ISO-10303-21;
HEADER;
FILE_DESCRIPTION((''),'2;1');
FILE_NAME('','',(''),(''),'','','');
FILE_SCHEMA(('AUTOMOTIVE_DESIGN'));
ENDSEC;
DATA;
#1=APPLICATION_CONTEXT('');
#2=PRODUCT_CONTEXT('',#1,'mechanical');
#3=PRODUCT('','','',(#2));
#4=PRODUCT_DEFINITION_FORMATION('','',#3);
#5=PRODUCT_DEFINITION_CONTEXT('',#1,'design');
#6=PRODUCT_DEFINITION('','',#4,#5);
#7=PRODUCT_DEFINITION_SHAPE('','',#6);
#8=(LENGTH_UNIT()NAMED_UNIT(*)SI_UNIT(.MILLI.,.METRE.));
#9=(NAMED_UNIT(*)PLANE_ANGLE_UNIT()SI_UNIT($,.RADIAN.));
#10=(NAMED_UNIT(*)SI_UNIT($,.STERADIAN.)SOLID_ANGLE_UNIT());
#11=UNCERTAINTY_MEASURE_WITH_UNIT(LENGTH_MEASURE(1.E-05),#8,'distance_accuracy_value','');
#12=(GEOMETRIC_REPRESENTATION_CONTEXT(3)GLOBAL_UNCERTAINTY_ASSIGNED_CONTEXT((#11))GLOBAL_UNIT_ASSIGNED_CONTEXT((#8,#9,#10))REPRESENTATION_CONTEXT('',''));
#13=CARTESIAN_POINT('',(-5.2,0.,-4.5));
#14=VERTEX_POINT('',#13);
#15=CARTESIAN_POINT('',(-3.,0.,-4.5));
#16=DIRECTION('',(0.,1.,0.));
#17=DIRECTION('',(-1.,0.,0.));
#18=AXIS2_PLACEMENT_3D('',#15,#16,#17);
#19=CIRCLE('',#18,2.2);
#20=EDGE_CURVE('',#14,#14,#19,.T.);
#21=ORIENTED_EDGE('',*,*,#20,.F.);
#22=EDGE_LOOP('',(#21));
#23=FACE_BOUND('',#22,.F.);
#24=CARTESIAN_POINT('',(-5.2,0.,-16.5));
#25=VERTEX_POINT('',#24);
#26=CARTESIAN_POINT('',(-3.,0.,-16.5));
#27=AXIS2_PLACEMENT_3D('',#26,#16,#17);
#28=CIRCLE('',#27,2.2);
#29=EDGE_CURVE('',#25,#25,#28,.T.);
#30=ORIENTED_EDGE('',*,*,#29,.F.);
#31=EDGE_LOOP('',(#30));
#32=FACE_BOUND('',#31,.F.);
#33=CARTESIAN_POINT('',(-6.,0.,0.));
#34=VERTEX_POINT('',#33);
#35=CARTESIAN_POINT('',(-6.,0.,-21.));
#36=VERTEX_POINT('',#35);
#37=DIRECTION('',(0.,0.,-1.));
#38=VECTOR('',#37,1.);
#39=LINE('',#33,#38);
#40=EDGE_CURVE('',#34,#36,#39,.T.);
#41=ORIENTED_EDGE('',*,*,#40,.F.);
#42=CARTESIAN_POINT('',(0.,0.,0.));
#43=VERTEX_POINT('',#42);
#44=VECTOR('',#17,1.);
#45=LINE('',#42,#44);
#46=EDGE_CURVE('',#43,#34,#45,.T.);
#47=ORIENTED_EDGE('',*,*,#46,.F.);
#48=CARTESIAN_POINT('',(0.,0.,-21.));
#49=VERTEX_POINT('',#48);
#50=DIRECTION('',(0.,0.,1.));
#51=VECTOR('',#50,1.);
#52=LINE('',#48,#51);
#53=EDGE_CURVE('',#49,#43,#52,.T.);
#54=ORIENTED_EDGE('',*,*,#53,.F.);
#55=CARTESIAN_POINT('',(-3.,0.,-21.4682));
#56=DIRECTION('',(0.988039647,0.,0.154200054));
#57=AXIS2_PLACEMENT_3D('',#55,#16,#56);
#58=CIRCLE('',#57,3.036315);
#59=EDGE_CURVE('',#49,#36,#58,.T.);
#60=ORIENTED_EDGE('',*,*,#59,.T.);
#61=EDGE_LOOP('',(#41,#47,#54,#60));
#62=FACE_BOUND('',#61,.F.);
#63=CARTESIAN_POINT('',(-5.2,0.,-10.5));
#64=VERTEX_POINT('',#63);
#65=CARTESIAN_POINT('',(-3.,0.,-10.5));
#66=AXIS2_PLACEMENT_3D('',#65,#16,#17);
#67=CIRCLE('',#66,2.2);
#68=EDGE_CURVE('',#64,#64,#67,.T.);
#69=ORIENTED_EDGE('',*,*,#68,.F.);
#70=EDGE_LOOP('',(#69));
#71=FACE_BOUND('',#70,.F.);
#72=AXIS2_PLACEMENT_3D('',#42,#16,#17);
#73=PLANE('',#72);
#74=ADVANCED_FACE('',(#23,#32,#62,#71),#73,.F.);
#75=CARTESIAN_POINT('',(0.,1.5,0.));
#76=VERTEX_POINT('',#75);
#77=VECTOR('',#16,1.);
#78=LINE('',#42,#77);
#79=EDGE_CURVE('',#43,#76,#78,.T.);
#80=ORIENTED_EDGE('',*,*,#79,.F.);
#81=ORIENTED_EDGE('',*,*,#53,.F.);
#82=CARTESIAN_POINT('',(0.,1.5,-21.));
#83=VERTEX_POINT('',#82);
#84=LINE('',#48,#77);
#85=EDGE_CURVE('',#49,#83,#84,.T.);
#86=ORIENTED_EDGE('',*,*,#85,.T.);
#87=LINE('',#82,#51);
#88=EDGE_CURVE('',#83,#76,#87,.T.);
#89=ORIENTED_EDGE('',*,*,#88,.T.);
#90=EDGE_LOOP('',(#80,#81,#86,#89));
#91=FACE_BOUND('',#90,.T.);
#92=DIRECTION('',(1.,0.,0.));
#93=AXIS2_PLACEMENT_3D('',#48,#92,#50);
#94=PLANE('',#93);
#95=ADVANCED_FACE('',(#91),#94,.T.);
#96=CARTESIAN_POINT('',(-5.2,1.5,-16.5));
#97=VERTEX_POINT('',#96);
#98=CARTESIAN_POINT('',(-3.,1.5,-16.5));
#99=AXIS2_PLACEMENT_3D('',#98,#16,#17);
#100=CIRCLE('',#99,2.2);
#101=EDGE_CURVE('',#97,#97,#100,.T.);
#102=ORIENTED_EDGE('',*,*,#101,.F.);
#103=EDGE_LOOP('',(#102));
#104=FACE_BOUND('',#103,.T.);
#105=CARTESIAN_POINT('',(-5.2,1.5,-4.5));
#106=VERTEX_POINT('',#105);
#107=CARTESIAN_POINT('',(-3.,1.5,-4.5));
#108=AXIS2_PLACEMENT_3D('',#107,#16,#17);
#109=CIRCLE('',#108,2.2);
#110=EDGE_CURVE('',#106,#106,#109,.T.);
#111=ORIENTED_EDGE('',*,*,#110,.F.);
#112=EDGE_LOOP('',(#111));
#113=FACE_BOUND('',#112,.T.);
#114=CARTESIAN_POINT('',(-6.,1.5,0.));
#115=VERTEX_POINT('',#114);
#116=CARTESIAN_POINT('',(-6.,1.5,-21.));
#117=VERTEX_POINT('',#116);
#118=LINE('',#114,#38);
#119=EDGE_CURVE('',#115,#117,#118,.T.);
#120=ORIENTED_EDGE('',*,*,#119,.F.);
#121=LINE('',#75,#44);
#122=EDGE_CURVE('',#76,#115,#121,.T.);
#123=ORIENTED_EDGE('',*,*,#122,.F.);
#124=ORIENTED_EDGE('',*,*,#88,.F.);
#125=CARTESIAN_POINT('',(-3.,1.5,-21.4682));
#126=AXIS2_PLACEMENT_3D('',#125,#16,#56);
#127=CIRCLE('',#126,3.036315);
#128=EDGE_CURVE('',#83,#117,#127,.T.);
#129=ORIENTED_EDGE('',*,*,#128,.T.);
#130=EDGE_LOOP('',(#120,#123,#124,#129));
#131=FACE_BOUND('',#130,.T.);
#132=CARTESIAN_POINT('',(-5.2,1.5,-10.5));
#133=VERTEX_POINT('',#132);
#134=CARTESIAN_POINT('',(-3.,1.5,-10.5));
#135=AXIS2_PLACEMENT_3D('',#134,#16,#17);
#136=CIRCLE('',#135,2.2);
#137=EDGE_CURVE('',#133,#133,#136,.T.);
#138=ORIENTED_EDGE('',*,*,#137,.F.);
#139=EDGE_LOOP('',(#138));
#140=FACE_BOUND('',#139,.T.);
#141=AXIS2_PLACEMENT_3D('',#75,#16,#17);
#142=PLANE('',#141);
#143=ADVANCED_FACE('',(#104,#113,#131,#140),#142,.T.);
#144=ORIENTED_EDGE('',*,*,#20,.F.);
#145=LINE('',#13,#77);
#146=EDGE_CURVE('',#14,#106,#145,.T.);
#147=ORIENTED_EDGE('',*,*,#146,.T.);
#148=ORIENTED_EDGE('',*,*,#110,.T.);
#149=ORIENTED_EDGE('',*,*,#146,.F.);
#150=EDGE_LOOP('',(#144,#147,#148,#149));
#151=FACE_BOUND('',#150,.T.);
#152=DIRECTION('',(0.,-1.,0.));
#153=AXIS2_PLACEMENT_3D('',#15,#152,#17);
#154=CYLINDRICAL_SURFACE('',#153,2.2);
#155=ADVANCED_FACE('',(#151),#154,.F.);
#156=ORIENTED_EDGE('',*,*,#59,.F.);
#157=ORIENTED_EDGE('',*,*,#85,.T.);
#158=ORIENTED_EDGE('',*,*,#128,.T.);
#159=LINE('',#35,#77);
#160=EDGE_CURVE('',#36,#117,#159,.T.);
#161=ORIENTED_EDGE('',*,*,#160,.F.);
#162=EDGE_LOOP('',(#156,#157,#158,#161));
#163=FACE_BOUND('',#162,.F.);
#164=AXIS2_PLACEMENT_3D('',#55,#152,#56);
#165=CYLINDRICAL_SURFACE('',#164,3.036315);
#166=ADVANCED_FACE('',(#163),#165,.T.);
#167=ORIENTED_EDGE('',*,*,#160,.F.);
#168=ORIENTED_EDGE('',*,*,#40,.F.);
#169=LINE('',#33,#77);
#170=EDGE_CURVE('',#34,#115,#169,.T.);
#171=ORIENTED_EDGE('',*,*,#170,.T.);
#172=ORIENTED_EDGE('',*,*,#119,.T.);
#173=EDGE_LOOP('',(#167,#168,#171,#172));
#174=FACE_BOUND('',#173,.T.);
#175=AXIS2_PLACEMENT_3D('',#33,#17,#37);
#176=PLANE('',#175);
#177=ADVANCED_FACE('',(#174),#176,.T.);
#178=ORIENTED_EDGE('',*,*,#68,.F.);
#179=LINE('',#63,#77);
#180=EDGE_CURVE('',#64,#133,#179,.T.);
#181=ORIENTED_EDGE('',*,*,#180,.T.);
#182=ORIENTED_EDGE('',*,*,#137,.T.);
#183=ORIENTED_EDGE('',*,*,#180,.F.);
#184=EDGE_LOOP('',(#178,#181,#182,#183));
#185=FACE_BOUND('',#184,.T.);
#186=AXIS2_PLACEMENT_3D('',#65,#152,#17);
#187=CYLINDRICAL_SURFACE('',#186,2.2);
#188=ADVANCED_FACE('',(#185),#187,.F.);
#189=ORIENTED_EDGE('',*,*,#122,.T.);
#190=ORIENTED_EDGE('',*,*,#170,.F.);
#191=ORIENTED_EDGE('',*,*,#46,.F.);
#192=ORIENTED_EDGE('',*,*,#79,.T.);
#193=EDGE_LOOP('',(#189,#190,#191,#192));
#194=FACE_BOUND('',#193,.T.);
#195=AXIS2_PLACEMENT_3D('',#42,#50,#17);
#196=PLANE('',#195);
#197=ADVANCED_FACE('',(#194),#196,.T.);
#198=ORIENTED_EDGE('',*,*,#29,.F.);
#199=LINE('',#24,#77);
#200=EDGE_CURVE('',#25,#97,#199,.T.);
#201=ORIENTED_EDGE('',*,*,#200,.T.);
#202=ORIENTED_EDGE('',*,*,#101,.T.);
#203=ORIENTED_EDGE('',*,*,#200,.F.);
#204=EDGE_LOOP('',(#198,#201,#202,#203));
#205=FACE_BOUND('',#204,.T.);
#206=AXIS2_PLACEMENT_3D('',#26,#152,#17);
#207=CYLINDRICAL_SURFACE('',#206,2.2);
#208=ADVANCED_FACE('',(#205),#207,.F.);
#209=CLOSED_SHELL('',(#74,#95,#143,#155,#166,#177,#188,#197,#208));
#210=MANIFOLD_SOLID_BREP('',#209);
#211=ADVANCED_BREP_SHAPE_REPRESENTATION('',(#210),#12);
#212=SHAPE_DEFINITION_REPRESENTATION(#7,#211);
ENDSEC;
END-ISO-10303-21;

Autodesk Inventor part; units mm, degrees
ref_plane "YZ Plane" through (0, 0, 0) normal (1, 0, 0) x (0, 1, 0)
ref_plane "XZ Plane" through (0, 0, 0) normal (0, 1, 0) x (-1, 0, 0)
ref_plane "XY Plane" through (0, 0, 0) normal (0, 0, 1) x (1, 0, 0)
sketch "Sketch1" plane through (0, 0, 0) normal (0, 1, 0) x (-1, 0, 0)
  line L0 (0, 0) -> (6, 0)
  line L1 (6, 0) -> (6, -21)
  line L2 (0, -21) -> (0, 0)
  circle A0 centre (3, -4.5) radius 2.2
  circle A1 centre (3, -10.5) radius 2.2
  circle A2 centre (3, -16.5) radius 2.2
  arc A3 (0, -21) -> (6, -21) centre (3, -21.4682) ccw
  dimension "d0" = 6
  dimension "d1" = 21
  dimension "d2" = 4.4
  dimension "d3" = 3
  dimension "d4" = 4.5
  dimension "d5" = 4.4
  dimension "d6" = 6
  dimension "d7" = 4.4
  dimension "d8" = 6
extrude "Extrusion1" add sketch "Sketch1" along normal blind 1.5
properties part number "trainingwheels"
